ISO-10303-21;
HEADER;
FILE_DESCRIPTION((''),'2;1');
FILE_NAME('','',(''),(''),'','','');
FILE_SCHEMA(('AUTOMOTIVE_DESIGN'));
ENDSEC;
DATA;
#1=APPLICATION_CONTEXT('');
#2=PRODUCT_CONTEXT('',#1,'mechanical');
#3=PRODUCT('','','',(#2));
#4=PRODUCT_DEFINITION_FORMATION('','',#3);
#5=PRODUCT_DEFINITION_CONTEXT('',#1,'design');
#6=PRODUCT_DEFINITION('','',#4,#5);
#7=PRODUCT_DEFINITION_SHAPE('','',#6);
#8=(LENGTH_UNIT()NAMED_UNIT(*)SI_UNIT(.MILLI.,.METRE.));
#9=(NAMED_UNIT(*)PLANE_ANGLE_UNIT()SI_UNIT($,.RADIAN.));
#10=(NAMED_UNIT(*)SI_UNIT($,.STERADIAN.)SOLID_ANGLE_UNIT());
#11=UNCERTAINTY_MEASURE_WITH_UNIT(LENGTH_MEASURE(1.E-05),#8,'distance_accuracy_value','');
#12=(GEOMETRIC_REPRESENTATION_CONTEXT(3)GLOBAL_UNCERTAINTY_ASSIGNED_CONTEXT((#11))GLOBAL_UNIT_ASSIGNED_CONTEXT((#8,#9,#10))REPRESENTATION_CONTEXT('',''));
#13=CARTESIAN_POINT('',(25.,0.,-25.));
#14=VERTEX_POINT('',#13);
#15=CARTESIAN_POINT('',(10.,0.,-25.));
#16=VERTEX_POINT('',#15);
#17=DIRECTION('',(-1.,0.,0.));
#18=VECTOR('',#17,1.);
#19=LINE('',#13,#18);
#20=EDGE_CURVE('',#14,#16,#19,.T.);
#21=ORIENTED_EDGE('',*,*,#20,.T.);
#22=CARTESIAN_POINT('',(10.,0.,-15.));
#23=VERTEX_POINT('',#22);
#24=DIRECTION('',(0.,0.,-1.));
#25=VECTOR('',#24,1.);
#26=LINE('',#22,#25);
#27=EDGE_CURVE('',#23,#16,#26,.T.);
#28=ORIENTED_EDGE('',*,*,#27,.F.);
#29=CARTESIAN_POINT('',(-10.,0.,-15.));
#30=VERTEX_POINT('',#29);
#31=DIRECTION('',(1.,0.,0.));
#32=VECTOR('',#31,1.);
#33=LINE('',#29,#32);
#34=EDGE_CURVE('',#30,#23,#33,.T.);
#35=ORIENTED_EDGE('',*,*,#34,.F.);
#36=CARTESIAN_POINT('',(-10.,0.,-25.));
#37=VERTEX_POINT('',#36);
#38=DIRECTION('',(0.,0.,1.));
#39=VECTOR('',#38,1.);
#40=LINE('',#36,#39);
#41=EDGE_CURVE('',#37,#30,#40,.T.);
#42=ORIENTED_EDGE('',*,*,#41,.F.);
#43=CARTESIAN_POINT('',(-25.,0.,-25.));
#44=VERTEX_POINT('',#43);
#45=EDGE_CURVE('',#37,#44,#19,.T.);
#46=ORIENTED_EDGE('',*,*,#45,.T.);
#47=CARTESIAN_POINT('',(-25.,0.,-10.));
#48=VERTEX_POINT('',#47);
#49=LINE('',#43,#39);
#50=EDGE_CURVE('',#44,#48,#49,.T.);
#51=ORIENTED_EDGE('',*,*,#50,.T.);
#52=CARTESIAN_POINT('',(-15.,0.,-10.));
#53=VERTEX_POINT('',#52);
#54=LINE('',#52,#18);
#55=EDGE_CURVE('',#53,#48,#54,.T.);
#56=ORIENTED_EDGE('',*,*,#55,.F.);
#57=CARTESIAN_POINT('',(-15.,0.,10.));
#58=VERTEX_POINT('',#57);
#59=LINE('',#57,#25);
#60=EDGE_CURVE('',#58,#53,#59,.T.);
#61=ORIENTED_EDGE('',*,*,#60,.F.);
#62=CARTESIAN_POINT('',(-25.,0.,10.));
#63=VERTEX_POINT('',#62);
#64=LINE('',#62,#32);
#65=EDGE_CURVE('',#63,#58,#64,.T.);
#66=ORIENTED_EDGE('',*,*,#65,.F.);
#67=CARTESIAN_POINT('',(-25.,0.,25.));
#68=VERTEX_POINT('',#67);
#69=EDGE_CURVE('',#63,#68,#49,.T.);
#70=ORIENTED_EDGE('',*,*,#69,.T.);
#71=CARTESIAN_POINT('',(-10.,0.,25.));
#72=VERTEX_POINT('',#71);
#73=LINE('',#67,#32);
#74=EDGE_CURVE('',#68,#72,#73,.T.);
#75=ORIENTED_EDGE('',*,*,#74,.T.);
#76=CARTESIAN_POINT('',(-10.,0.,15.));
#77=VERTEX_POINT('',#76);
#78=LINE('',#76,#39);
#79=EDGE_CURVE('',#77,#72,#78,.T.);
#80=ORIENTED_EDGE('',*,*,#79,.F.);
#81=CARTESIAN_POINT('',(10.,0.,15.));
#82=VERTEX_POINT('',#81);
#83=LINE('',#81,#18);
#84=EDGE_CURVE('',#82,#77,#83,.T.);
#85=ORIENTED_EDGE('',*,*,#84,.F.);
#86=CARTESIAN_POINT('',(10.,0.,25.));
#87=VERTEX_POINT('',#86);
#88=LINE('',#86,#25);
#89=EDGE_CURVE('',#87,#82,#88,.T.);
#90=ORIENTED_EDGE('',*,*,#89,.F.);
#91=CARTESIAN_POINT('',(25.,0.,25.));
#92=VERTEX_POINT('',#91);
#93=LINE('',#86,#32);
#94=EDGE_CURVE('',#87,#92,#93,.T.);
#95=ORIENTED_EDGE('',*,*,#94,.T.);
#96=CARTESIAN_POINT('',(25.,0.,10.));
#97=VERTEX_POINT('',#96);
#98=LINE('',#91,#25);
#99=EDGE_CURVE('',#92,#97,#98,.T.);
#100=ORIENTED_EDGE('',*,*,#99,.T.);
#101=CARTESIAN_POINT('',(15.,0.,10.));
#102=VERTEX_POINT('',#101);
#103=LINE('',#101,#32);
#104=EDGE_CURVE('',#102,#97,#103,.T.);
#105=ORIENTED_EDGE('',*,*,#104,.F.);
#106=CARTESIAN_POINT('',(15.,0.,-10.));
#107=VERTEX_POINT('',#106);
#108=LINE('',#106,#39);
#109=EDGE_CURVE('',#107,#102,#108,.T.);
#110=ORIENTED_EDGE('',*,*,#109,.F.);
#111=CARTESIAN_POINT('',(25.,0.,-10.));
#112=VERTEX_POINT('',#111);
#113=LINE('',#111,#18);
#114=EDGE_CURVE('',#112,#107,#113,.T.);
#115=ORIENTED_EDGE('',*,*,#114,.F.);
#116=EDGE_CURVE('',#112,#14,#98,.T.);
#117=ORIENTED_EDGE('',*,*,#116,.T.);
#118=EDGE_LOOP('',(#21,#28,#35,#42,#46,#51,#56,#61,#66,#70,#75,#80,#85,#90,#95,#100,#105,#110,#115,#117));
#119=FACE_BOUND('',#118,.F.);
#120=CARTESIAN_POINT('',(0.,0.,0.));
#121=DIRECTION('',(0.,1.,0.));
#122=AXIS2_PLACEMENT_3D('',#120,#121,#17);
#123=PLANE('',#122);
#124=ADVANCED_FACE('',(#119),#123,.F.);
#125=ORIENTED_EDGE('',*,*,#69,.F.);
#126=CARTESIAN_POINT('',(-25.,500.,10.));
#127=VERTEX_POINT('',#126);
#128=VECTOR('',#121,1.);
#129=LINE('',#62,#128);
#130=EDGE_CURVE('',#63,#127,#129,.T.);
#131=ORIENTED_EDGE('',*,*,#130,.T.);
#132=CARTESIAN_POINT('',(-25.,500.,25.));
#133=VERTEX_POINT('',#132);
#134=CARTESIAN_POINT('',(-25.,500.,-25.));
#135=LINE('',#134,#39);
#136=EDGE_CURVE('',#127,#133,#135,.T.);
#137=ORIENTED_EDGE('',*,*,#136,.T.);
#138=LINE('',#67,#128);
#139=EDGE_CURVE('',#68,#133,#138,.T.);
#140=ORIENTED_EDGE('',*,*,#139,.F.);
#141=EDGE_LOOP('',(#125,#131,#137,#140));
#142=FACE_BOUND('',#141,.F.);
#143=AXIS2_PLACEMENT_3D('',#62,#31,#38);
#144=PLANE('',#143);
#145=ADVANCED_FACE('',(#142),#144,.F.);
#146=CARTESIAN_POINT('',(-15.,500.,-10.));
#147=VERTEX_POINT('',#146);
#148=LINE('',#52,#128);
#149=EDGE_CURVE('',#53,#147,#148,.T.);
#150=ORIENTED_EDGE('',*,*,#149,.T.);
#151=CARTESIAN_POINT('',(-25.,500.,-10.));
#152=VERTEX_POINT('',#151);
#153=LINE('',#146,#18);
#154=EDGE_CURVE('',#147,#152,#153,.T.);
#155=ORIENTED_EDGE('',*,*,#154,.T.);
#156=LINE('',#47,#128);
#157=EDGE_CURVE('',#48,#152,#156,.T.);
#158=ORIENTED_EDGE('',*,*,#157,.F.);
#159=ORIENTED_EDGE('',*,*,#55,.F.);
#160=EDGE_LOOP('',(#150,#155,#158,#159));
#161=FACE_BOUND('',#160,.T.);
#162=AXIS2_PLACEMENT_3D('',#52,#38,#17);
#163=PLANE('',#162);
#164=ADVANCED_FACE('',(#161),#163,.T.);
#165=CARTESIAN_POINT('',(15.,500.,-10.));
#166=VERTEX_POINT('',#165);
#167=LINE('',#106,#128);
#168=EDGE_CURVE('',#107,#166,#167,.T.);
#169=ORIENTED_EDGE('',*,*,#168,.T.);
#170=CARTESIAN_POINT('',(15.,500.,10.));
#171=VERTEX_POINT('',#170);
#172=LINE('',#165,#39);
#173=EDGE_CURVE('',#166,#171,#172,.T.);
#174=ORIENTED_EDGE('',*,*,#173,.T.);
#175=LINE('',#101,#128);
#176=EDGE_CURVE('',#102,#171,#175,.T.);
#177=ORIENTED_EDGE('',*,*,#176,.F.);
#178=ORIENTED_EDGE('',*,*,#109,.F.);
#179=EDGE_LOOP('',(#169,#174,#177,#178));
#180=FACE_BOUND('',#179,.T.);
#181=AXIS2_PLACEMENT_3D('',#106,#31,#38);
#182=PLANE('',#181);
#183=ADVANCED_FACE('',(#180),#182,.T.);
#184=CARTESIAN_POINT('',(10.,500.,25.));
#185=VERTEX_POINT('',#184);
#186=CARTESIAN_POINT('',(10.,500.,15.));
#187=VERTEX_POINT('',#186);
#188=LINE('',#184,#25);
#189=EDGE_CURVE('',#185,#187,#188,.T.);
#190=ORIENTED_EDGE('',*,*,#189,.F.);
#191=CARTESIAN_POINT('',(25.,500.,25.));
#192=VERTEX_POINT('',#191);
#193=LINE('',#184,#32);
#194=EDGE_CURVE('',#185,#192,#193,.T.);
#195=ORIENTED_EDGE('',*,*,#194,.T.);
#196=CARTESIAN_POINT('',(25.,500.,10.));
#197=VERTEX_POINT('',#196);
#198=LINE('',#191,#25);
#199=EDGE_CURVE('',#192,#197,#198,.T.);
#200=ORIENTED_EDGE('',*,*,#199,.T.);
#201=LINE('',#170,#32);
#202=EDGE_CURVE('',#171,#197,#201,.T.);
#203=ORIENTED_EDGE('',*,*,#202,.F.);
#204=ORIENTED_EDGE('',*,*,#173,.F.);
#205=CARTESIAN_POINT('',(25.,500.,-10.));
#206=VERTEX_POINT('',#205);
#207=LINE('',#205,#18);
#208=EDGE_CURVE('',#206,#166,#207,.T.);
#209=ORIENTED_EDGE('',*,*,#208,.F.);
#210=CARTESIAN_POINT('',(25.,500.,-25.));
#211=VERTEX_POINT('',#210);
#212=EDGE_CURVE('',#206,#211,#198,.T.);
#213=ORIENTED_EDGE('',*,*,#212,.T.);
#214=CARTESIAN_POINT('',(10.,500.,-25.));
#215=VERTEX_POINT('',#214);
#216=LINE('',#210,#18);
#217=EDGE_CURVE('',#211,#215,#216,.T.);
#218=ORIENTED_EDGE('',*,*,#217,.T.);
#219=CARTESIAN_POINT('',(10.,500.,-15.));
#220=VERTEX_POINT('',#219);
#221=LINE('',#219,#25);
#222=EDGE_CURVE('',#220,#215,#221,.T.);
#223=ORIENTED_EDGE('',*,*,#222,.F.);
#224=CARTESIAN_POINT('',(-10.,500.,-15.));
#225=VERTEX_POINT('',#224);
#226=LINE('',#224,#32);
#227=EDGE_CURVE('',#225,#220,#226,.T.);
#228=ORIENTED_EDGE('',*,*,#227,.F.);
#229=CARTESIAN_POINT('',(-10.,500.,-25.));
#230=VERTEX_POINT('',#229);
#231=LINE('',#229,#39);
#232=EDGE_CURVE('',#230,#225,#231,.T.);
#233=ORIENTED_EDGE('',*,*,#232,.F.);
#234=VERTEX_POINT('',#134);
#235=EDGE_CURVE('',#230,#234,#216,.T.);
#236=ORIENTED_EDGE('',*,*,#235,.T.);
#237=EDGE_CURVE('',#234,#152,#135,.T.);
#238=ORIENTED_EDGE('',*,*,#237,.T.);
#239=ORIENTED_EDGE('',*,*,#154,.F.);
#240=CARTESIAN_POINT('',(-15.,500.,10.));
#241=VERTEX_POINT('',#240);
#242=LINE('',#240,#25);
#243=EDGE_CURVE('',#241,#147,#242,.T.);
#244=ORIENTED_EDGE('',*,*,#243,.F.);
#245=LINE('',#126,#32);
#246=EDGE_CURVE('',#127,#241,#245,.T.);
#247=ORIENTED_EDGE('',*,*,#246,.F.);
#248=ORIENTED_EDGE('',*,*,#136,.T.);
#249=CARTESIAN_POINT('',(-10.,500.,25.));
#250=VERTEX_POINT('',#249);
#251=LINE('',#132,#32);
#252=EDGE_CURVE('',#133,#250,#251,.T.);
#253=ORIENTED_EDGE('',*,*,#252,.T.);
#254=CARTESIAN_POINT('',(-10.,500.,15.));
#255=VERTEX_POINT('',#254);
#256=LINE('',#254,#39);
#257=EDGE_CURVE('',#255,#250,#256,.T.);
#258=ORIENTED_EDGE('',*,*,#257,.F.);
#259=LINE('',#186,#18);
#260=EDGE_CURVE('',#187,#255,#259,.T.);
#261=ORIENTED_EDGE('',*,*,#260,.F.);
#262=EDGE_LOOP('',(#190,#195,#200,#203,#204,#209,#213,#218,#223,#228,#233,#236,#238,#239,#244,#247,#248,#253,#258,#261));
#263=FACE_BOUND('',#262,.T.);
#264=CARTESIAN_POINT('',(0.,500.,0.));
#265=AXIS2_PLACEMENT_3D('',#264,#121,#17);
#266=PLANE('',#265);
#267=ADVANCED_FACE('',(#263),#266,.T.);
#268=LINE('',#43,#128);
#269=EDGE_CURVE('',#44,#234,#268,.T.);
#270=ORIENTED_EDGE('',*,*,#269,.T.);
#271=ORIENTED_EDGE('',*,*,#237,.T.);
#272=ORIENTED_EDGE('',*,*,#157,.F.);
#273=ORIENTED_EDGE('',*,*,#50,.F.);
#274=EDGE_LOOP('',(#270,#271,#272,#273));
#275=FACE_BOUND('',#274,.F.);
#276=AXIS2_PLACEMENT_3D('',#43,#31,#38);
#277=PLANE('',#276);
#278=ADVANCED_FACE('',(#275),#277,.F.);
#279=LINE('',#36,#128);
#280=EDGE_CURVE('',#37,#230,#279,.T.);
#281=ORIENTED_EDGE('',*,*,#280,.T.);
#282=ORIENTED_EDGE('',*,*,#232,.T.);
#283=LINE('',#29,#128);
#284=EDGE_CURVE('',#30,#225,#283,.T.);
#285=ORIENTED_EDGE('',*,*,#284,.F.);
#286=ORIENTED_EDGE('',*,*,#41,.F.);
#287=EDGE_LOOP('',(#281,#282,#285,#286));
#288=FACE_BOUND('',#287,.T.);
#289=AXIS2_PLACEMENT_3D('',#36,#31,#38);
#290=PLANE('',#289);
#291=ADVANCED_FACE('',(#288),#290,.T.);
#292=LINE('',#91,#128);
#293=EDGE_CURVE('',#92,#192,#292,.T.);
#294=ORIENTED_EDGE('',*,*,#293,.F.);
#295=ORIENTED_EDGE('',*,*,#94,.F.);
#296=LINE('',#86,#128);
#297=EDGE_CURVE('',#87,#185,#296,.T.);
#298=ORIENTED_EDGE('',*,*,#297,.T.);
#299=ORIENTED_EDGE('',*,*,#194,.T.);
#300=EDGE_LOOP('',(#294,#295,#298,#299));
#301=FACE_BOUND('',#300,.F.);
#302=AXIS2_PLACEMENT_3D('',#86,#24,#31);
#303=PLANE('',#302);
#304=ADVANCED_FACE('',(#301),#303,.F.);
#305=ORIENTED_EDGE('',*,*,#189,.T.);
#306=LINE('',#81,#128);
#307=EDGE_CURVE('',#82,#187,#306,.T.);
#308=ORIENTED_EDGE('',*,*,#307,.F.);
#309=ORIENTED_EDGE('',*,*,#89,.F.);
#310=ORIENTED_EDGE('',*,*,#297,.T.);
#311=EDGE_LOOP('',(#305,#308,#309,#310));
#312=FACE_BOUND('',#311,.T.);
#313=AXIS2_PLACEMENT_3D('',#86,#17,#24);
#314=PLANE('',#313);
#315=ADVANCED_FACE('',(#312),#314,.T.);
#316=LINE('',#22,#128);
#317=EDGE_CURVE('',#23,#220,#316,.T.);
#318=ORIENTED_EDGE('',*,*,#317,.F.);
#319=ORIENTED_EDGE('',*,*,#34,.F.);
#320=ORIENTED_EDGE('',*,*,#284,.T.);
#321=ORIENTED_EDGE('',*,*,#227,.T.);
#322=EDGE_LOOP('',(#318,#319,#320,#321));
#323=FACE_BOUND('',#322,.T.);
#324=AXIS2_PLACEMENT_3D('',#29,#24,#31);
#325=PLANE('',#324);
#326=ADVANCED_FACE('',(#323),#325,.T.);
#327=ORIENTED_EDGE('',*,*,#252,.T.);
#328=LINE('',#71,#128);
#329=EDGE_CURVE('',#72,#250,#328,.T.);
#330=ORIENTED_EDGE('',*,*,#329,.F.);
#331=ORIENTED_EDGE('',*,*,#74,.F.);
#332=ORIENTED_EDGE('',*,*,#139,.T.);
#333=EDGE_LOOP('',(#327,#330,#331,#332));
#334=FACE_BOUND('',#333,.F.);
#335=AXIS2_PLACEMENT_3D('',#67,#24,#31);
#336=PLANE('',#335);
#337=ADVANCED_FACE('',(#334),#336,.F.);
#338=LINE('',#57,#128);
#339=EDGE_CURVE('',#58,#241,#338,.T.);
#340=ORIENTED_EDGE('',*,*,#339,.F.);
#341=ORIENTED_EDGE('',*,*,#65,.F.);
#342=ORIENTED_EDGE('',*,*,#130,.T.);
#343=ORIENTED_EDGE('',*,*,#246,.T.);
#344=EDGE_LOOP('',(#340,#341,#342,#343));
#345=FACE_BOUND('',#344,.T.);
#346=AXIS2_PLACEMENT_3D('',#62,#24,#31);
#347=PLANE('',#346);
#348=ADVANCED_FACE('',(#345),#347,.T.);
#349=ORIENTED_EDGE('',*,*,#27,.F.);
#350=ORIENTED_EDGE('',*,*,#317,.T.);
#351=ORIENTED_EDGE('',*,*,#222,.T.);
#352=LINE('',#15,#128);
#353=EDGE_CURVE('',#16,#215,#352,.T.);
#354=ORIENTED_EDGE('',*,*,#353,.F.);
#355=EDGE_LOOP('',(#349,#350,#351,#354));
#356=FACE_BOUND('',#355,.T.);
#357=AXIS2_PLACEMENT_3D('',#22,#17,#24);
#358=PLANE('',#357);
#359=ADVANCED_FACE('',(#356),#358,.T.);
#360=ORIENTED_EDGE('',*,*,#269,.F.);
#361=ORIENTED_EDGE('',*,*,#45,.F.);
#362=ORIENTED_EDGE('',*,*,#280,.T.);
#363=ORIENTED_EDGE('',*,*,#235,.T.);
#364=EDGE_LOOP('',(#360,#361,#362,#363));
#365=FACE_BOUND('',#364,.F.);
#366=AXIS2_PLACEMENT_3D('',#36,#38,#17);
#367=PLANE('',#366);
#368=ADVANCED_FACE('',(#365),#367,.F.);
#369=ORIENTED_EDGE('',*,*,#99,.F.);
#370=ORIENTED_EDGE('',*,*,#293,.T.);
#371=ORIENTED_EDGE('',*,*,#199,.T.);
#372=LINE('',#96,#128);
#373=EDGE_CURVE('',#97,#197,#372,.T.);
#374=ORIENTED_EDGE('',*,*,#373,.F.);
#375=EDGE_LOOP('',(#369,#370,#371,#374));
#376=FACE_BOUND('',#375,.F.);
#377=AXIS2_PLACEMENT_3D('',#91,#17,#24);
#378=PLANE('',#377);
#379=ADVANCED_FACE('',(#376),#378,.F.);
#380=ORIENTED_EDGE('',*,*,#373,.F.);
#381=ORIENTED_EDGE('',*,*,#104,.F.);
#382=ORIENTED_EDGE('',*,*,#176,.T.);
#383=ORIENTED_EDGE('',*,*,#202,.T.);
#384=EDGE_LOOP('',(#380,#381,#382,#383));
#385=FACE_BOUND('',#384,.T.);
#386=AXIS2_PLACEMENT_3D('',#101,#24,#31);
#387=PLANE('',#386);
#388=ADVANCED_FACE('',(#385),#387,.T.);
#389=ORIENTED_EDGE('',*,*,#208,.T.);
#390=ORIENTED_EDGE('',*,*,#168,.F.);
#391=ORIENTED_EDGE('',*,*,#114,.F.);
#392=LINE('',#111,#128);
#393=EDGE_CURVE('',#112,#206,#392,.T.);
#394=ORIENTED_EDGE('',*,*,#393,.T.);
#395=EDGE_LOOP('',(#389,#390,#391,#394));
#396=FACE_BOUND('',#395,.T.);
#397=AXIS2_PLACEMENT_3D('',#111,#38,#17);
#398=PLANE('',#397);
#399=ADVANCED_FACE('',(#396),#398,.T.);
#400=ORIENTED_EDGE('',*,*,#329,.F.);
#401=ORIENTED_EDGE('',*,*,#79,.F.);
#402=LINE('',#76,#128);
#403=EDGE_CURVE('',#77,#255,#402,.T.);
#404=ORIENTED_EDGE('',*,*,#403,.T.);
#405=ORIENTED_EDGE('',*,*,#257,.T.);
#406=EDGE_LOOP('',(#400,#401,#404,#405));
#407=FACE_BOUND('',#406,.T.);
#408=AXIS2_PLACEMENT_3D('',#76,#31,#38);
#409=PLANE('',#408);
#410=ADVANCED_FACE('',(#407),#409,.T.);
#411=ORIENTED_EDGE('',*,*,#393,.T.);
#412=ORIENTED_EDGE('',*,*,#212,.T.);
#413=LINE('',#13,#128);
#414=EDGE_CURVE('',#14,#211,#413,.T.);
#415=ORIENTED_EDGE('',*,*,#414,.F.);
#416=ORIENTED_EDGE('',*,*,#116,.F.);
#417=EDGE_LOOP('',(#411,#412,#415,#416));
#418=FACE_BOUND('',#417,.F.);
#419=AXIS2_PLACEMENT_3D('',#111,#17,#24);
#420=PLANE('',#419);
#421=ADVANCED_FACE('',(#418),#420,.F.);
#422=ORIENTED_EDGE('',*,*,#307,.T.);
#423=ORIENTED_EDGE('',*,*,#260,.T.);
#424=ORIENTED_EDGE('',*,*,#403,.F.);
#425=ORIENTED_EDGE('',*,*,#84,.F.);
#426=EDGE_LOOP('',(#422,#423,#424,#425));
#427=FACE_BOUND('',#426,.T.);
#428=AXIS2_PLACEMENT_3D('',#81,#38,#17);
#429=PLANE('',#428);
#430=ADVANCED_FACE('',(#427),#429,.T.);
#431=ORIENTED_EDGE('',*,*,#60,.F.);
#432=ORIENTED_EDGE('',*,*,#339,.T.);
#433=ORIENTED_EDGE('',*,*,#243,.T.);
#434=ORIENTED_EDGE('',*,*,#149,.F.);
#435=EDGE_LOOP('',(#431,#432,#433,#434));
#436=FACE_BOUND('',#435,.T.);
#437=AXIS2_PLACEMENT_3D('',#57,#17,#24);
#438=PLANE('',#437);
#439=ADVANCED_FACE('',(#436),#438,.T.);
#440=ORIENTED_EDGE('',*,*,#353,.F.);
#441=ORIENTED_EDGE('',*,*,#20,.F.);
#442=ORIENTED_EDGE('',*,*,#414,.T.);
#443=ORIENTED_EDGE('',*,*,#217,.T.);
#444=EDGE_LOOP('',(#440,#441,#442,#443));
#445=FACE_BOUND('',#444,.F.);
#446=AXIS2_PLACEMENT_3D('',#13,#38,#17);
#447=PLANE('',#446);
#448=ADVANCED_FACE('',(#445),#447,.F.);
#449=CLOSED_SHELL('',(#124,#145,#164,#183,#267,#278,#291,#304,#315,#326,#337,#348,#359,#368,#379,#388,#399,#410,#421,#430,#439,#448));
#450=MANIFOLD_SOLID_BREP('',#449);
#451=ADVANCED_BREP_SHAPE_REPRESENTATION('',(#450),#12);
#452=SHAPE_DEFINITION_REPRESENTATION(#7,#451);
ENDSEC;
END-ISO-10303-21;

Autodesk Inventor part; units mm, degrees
ref_plane "YZ Plane" through (0, 0, 0) normal (1, 0, 0) x (0, 1, 0)
ref_plane "XZ Plane" through (0, 0, 0) normal (0, 1, 0) x (-1, 0, 0)
ref_plane "XY Plane" through (0, 0, 0) normal (0, 0, 1) x (1, 0, 0)
sketch "Szkic1" plane through (0, 0, 0) normal (0, 1, 0) x (-1, 0, 0)
  line L0 (-25, -25) -> (25, -25)
  line L1 (25, -25) -> (25, 25)
  line L2 (-25, 25) -> (-25, -25)
  line L3 (-25, -25) -> (25, 25) construction
  line L4 (25, -25) -> (-25, 25) construction
  line L5 (10, 25) -> (-10, 25)
  line L6 (-10, 25) -> (-10, 15)
  line L7 (-10, 15) -> (10, 15)
  line L8 (10, 15) -> (10, 25)
  line L9 (-15, -10) -> (-15, 10)
  line L10 (-15, 10) -> (-25, 10)
  line L11 (-25, -10) -> (-15, -10)
  line L12 (10, -15) -> (-10, -15)
  line L13 (-10, -15) -> (-10, -25)
  line L14 (10, -25) -> (10, -15)
  line L15 (15, 10) -> (15, -10)
  line L16 (15, -10) -> (25, -10)
  line L17 (25, 10) -> (15, 10)
  line L18 (25, 25) -> (10, 25)
  line L19 (-10, 25) -> (-25, 25)
  point P0 (0, 0)
  dimension "d0" = 50
  dimension "d1" = 50
  dimension "d3" = 10
  dimension "d7" = 360
extrude "Wyciągnięcie proste1" add sketch "Szkic1" along normal blind 500 contours L2 L11 L9 L10 L19 L6 L7 L8 L18 L1 L17 L15 L16 L0 L14 L12 L13
properties part number "wysiegnik2" material "Aluminium 6061"
